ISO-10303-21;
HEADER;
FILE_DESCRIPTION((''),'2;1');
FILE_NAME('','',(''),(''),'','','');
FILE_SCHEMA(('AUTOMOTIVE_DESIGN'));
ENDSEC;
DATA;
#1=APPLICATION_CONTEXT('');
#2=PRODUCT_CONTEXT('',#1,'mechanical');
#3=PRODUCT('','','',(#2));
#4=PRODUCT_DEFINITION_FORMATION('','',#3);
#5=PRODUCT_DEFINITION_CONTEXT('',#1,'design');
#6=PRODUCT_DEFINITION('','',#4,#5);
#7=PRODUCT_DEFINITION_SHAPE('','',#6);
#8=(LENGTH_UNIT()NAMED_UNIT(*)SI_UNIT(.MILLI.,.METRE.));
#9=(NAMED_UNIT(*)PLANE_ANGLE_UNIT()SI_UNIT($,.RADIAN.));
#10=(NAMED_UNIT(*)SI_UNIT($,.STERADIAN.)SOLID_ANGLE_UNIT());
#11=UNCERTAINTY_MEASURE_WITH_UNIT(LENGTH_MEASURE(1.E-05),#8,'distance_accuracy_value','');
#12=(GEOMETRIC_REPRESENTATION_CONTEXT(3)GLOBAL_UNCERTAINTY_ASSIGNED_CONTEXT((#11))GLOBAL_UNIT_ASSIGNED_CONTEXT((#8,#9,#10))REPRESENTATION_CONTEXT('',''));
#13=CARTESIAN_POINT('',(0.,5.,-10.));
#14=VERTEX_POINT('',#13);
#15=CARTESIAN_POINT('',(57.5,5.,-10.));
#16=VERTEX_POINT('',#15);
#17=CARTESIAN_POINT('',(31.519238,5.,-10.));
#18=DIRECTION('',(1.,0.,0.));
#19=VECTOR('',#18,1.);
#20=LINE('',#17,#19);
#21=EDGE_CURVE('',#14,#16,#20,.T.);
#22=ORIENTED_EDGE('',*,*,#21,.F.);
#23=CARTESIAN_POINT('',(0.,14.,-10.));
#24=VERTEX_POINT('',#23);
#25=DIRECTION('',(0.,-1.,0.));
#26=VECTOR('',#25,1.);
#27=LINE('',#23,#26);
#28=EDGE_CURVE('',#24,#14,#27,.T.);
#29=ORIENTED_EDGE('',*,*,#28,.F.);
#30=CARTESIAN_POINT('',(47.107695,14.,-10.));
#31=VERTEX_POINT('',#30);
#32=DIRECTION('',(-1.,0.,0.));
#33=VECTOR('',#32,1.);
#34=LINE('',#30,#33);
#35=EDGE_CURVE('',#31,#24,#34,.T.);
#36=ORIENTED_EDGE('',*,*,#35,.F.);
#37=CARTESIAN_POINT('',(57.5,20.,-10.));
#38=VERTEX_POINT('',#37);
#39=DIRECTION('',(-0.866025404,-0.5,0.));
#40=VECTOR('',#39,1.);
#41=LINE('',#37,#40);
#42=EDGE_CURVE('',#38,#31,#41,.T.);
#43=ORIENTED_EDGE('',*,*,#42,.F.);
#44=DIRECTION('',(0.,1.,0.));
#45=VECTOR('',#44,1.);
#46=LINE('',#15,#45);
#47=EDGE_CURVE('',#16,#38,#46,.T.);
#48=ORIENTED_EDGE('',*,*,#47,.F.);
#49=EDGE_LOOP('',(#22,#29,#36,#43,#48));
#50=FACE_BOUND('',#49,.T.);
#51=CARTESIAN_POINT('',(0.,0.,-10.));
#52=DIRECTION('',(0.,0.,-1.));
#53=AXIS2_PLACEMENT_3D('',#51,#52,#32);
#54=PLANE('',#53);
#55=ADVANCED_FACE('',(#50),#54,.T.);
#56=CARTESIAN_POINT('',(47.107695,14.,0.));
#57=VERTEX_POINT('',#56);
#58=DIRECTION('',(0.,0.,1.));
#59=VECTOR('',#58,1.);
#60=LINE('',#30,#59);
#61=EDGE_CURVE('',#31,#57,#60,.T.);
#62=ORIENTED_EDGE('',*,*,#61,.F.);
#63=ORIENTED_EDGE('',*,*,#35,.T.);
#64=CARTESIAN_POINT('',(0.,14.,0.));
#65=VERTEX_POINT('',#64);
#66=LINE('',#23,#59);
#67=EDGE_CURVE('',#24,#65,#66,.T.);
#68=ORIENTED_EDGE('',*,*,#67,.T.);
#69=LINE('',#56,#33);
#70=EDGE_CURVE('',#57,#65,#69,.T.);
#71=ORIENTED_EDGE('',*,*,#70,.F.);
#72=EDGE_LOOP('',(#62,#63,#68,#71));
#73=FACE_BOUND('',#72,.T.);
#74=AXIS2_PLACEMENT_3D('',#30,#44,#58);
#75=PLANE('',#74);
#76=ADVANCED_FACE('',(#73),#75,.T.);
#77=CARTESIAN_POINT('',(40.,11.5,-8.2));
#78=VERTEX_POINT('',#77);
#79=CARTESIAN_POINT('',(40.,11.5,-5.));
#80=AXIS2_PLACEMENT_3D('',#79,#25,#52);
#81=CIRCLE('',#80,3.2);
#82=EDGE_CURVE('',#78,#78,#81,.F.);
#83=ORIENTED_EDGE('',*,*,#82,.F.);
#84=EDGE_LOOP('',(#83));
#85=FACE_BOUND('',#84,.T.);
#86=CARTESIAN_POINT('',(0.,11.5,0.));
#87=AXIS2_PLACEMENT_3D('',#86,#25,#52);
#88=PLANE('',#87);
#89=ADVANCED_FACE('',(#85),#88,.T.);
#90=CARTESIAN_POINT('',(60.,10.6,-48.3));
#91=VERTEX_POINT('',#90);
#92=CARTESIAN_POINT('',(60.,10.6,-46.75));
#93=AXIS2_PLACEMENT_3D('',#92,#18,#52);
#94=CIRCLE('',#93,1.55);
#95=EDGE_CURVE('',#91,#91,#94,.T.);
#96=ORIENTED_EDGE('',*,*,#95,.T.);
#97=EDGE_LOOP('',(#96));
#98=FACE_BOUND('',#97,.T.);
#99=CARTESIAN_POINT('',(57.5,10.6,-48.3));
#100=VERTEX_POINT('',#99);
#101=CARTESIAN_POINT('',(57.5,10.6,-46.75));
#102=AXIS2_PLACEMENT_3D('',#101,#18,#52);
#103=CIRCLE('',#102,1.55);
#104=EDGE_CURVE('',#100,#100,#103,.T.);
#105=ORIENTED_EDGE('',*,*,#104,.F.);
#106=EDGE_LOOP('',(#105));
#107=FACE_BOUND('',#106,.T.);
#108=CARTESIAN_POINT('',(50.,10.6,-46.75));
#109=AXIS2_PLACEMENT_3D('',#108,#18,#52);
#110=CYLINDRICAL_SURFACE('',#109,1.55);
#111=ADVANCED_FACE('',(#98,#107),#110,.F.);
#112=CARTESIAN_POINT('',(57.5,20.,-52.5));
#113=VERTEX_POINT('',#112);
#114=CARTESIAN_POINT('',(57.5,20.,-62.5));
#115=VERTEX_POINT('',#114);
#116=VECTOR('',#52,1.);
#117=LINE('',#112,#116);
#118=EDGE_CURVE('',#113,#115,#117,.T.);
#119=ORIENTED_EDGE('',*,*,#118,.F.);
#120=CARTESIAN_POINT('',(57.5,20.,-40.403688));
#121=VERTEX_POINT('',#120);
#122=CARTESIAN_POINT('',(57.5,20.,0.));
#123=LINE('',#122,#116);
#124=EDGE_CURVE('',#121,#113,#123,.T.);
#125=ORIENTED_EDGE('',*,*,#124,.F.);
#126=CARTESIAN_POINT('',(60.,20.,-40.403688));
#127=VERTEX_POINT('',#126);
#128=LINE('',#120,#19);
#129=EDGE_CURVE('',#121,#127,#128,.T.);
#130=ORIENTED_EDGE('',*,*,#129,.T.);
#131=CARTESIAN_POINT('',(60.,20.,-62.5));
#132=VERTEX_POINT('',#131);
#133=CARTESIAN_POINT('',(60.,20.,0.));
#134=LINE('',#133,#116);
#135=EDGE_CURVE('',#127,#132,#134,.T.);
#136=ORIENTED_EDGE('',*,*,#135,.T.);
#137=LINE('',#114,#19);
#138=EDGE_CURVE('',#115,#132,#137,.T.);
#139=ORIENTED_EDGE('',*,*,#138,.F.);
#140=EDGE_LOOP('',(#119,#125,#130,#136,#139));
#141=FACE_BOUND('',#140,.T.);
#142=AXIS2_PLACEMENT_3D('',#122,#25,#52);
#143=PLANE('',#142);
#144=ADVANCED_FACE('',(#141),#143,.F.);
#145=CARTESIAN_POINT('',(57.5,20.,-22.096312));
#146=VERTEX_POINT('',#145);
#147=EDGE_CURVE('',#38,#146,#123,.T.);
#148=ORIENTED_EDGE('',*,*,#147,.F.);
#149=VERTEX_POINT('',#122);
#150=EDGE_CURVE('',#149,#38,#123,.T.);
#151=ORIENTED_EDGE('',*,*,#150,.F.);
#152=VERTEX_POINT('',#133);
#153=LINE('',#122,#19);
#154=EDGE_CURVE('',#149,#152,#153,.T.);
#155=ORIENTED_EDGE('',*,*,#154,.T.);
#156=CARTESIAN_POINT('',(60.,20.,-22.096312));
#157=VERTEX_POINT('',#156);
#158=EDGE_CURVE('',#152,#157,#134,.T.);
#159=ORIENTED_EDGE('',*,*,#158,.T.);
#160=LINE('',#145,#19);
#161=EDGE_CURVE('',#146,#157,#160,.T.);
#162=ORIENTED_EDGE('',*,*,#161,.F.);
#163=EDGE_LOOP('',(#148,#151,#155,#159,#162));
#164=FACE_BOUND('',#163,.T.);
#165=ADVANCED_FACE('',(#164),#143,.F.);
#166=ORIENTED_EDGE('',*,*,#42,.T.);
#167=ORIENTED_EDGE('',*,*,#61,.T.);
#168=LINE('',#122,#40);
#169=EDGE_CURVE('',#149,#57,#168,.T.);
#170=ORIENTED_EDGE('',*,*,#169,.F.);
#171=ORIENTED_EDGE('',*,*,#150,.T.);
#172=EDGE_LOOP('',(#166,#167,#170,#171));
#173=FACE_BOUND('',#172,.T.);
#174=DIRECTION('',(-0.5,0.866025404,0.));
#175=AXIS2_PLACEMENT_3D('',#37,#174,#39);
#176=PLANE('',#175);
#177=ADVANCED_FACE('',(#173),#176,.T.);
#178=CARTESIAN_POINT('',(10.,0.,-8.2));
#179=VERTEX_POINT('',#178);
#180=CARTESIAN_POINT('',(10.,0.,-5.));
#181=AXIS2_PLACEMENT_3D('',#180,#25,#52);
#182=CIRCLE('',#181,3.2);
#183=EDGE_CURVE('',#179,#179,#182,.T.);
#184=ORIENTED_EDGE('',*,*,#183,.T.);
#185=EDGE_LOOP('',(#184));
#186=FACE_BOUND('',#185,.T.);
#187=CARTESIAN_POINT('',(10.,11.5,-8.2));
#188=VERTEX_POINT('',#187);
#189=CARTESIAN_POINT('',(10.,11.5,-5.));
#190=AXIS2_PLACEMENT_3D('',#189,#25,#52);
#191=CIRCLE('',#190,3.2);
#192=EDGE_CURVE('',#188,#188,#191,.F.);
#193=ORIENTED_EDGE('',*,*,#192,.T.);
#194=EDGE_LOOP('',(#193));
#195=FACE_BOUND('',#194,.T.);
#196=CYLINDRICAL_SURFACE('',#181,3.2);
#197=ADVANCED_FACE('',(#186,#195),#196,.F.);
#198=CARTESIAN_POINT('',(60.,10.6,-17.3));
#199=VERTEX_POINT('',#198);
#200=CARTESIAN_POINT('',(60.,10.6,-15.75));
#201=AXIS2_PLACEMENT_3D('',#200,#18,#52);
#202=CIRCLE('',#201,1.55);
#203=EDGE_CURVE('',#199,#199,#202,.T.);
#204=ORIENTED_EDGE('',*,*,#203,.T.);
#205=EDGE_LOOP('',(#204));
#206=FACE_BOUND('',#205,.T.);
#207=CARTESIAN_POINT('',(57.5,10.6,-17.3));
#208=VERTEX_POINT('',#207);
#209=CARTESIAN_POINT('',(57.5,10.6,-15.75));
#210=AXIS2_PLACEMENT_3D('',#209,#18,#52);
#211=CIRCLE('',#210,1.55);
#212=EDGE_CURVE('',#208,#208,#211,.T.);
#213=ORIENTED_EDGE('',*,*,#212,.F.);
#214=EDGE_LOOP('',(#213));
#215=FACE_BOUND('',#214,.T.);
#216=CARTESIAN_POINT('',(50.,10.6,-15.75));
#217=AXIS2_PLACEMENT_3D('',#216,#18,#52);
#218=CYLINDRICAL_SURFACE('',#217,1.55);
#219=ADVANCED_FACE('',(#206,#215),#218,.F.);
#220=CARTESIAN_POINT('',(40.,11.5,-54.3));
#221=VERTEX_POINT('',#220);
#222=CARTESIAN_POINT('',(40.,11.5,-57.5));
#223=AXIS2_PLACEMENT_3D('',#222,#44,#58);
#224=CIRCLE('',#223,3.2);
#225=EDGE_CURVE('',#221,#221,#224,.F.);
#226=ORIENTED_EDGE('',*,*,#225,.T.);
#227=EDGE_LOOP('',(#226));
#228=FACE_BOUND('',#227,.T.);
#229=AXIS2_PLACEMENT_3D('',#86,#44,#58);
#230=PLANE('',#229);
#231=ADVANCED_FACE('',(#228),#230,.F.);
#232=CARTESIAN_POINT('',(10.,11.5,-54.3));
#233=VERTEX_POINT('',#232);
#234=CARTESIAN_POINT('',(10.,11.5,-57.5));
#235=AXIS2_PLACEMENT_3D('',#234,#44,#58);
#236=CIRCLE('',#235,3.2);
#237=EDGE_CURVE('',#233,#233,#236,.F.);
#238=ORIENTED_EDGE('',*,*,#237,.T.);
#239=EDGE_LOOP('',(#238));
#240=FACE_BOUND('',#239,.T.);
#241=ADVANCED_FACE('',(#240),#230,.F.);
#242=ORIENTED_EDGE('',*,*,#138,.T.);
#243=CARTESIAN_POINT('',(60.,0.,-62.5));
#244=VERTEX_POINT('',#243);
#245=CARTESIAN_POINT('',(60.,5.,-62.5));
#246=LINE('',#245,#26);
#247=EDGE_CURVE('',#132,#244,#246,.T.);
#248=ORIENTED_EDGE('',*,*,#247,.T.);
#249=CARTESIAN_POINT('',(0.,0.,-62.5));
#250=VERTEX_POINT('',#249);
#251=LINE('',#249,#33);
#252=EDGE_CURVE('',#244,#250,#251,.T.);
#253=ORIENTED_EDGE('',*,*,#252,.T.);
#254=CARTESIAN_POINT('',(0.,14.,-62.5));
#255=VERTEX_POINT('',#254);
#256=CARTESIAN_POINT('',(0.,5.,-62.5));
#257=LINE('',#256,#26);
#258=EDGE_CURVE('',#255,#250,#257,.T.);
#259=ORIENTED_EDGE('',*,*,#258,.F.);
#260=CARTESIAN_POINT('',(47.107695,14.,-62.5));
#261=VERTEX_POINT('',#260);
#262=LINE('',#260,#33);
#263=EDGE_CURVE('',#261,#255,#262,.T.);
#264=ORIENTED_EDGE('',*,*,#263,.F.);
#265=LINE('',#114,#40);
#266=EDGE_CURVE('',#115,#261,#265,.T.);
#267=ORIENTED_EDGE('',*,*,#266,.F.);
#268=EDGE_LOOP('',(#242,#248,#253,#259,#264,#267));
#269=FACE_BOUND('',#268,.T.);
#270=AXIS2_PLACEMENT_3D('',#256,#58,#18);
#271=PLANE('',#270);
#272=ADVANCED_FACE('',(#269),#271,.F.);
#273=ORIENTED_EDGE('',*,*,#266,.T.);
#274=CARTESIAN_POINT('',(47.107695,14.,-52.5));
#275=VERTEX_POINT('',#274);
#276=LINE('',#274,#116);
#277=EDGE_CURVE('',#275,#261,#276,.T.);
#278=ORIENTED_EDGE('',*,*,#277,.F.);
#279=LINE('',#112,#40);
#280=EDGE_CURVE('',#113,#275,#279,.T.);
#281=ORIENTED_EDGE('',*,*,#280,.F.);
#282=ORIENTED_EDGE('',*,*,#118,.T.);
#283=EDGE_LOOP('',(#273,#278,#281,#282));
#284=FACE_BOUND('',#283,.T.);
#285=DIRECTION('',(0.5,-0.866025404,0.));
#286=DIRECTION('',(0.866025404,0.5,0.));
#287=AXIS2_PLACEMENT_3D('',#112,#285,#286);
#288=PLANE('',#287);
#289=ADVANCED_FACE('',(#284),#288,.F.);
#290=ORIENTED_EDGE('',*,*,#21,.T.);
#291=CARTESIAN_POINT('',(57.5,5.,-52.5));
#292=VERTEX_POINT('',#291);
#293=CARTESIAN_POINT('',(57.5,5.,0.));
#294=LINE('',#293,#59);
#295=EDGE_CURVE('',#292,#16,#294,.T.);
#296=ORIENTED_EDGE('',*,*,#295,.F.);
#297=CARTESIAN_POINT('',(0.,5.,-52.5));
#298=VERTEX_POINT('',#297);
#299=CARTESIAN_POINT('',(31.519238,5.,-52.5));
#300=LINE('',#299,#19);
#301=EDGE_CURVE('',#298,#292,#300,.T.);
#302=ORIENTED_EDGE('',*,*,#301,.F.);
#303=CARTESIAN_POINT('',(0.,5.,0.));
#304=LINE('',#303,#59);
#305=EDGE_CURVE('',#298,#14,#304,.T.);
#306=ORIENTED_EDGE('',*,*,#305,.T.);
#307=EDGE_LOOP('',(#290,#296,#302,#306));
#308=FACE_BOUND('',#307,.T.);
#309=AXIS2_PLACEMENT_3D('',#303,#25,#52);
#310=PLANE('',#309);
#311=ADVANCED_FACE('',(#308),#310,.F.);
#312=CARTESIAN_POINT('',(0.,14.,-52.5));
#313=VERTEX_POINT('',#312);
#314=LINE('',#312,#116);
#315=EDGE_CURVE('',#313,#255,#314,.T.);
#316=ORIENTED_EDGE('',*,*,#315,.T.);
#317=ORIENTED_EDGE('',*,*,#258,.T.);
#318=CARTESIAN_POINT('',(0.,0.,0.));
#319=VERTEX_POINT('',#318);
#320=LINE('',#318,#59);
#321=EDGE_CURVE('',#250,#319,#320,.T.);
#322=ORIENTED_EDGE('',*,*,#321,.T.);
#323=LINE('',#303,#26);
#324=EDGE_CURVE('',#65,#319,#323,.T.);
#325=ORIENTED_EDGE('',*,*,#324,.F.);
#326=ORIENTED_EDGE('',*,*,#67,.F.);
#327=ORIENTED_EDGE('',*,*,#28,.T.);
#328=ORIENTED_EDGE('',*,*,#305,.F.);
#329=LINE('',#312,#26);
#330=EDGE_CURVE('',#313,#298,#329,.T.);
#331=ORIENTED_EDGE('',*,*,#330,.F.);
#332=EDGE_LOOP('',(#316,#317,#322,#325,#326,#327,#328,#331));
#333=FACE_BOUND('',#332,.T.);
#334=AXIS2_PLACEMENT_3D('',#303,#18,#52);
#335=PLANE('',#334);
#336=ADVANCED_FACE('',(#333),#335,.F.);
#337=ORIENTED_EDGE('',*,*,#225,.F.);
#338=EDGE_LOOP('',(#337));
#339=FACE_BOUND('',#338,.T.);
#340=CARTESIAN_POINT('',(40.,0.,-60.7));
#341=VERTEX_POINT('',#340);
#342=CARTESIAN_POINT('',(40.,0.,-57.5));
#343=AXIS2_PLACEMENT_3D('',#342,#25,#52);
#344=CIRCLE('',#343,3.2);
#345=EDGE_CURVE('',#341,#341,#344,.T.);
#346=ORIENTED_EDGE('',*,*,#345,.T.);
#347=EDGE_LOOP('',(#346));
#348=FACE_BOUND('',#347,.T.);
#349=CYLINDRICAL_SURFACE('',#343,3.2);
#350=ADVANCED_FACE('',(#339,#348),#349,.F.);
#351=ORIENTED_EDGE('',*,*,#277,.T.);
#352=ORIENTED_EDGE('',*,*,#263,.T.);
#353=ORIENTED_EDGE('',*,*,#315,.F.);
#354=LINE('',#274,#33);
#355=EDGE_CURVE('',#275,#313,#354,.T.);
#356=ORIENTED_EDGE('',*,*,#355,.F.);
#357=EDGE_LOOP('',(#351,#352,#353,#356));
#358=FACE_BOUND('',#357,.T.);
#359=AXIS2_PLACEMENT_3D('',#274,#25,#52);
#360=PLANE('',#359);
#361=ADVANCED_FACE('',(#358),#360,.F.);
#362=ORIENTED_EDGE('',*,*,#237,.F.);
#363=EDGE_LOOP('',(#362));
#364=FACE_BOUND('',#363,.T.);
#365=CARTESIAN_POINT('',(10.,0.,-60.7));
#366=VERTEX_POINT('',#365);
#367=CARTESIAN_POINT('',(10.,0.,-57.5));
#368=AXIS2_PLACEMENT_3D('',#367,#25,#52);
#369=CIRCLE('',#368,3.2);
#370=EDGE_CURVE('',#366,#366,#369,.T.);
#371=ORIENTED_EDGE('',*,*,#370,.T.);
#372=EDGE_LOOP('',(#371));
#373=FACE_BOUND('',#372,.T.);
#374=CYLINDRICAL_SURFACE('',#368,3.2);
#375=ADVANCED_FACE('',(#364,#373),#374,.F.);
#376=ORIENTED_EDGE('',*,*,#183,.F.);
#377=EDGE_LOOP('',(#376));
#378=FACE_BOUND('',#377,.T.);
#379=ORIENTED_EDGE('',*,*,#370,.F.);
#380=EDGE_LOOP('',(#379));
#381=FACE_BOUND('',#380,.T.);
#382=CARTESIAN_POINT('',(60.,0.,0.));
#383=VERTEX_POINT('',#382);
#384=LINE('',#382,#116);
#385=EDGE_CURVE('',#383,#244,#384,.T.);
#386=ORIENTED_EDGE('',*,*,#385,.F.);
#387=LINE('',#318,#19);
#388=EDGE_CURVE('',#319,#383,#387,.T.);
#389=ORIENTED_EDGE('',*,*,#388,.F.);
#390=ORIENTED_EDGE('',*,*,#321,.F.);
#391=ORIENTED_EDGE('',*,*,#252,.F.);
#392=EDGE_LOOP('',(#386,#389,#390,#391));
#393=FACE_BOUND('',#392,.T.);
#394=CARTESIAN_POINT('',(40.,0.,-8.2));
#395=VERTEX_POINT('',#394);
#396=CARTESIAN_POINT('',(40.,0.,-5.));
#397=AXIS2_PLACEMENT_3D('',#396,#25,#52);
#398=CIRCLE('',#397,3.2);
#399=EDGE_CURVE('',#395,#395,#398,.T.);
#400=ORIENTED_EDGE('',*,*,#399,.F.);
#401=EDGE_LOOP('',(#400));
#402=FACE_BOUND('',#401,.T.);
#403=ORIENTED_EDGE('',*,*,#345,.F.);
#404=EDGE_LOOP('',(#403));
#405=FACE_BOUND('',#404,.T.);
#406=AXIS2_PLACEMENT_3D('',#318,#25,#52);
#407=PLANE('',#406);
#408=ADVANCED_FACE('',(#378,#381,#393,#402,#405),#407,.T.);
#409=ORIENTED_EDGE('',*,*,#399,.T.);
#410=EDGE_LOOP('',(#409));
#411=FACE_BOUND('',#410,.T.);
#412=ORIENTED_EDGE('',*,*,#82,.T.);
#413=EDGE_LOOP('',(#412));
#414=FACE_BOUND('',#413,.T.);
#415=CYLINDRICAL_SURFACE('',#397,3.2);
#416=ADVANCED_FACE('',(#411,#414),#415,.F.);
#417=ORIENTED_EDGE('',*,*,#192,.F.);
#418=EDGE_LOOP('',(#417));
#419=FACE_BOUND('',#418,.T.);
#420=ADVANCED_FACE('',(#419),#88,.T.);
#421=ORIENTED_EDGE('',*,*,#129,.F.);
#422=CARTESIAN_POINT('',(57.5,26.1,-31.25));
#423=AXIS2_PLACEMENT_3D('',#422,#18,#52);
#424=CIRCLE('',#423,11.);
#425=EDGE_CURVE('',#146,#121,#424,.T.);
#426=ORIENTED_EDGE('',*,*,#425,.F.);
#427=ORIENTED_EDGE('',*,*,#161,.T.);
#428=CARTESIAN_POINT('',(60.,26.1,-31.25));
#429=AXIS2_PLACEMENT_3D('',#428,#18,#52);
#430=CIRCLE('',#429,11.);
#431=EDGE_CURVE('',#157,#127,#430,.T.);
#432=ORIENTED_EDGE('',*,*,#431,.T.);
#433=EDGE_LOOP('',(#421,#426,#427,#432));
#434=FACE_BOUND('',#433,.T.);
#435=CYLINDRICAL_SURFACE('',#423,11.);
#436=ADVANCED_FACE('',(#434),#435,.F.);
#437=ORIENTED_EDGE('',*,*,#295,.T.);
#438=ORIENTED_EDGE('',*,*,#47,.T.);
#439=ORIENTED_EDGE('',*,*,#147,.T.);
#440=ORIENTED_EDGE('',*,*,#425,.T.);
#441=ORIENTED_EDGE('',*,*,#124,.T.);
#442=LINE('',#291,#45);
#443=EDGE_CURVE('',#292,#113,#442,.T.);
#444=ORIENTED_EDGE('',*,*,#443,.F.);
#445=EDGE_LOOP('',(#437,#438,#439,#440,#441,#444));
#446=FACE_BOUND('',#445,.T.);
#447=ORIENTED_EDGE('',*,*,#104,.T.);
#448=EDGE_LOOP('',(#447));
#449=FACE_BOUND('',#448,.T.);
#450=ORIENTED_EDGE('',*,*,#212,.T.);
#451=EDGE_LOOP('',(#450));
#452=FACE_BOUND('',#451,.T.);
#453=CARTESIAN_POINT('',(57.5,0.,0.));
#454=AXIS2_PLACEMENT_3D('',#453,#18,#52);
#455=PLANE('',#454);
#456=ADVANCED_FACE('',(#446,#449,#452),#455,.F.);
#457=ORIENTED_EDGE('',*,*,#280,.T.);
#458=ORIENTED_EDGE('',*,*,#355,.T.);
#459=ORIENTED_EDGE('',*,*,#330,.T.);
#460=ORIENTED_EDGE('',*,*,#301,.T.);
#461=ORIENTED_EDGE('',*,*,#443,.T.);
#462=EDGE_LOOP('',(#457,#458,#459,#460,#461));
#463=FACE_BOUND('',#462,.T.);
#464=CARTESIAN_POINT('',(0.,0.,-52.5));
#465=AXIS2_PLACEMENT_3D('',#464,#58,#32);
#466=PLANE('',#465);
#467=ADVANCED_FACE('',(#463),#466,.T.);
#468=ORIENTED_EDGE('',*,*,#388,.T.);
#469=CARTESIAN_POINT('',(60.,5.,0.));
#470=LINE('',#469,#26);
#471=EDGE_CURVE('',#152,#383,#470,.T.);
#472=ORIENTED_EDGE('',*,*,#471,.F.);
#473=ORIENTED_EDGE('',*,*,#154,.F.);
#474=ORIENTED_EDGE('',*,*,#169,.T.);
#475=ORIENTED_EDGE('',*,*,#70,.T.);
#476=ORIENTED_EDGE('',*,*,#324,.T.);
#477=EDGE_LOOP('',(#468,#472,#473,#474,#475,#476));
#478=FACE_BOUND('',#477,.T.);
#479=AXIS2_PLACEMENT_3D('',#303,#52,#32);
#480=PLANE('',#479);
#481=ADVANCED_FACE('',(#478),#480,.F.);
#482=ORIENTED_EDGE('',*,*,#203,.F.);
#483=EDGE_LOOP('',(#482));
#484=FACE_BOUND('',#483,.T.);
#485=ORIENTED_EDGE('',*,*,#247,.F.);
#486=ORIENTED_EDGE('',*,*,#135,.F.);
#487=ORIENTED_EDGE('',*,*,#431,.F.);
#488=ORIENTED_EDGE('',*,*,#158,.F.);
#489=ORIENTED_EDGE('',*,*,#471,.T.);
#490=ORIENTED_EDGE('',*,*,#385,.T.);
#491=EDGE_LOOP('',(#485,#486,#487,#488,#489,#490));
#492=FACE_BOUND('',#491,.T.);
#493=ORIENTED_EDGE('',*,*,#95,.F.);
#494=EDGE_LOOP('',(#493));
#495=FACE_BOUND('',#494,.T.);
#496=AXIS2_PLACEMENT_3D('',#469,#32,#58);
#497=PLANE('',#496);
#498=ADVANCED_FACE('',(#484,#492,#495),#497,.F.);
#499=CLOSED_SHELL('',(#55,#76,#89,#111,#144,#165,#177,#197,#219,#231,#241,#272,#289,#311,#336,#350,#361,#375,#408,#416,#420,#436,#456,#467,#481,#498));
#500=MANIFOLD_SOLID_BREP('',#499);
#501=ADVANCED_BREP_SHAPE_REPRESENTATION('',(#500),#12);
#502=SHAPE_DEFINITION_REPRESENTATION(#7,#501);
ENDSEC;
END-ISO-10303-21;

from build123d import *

# Parameters (mm, degrees)
SKETCH1_W            = 60
SKETCH1_H            = 62.5
BOSS_EXTRUDE1_DEPTH  = 5
BOSS_EXTRUDE2_DEPTH  = 2.5
BOSS_EXTRUDE3_DEPTH  = 10
BOSS_EXTRUDE4_DEPTH  = 10
SKETCH4_R            = 1.55
CUT_EXTRUDE1_DEPTH   = 10
M5_CLEARANCE_HOLE1_D = 6.4
SKETCH11_W           = 47.107695155
SKETCH11_H           = 10
BOSS_EXTRUDE5_DEPTH  = 2.5


with BuildPart() as part:
    # Sketch1 → Boss-Extrude1 (new body)
    with BuildSketch(Plane(origin=(0, 0, 0), x_dir=(1, 0, 0), z_dir=(0, 1, 0))):
        with Locations((30, 31.25)):
            Rectangle(SKETCH1_W, SKETCH1_H)
    extrude(amount=BOSS_EXTRUDE1_DEPTH)

    # Sketch2 → Boss-Extrude2 (add)
    with BuildSketch(Plane(origin=(60, 0, 0), x_dir=(0, 0, -1), z_dir=(1, 0, 0))):
        with BuildLine():
            Line((0, 20), (0, 5))
            Line((0, 5), (62.5, 5))
            Line((62.5, 5), (62.5, 20))
            Line((62.5, 20), (40.403687781, 20))
            ThreePointArc((40.403687781, 20), (31.25, 15.1), (22.096312219, 20))
            Line((22.096312219, 20), (0, 20))
        make_face()
    extrude(amount=-BOSS_EXTRUDE2_DEPTH)

    # Sketch3 → Boss-Extrude3 (add)
    with BuildSketch(Plane.XY):
        Polygon((57.5, 20), (31.519237886, 5), (57.5, 5), align=None)
    boss_extrude3 = extrude(amount=-BOSS_EXTRUDE3_DEPTH)

    # Sketch8 → Boss-Extrude4 (add)
    with BuildSketch(Plane(origin=(0, 0, 0), x_dir=(-1, 0, 0), z_dir=(0, 0, -1))):
        Polygon((-47.107695155, 14), (-47.107695155, 5), (-33.38717798, 5), (-24.156521096, 5), (0, 5), (0, 14), align=None)
    boss_extrude4 = extrude(amount=BOSS_EXTRUDE4_DEPTH)

    # Mirror1: Boss-Extrude3, Boss-Extrude4 across plane
    add(boss_extrude3.mirror(Plane.XY.offset(-31.25)))
    add(boss_extrude4.mirror(Plane.XY.offset(-31.25)))

    # Sketch4 → Cut-Extrude1 (cut)
    with BuildSketch(Plane(origin=(60, 0, 0), x_dir=(0, 0, -1), z_dir=(1, 0, 0))):
        with Locations((15.75, 10.6)):
            Circle(SKETCH4_R)
        with Locations((46.75, 10.6)):
            Circle(SKETCH4_R)
    extrude(amount=-CUT_EXTRUDE1_DEPTH, mode=Mode.SUBTRACT)

    # M5 Clearance Hole1 (through all)
    with Locations(Plane(origin=(0, 0, 0), x_dir=(-1, 0, 0), z_dir=(0, -1, 0))):
        with Locations((-40, 57.5), (-10, 57.5), (-40, 5), (-10, 5)):
            Hole(M5_CLEARANCE_HOLE1_D / 2)

    # Sketch11 → Boss-Extrude5 (add)
    with BuildSketch(Plane(origin=(0, 14, 0), x_dir=(1, 0, 0), z_dir=(0, 1, 0))):
        with Locations((23.553847578, 57.5)):
            Rectangle(SKETCH11_W, SKETCH11_H)
        with Locations((23.553847578, 5)):
            Rectangle(SKETCH11_W, SKETCH11_H)
    extrude(amount=-BOSS_EXTRUDE5_DEPTH)


solid = part.part
